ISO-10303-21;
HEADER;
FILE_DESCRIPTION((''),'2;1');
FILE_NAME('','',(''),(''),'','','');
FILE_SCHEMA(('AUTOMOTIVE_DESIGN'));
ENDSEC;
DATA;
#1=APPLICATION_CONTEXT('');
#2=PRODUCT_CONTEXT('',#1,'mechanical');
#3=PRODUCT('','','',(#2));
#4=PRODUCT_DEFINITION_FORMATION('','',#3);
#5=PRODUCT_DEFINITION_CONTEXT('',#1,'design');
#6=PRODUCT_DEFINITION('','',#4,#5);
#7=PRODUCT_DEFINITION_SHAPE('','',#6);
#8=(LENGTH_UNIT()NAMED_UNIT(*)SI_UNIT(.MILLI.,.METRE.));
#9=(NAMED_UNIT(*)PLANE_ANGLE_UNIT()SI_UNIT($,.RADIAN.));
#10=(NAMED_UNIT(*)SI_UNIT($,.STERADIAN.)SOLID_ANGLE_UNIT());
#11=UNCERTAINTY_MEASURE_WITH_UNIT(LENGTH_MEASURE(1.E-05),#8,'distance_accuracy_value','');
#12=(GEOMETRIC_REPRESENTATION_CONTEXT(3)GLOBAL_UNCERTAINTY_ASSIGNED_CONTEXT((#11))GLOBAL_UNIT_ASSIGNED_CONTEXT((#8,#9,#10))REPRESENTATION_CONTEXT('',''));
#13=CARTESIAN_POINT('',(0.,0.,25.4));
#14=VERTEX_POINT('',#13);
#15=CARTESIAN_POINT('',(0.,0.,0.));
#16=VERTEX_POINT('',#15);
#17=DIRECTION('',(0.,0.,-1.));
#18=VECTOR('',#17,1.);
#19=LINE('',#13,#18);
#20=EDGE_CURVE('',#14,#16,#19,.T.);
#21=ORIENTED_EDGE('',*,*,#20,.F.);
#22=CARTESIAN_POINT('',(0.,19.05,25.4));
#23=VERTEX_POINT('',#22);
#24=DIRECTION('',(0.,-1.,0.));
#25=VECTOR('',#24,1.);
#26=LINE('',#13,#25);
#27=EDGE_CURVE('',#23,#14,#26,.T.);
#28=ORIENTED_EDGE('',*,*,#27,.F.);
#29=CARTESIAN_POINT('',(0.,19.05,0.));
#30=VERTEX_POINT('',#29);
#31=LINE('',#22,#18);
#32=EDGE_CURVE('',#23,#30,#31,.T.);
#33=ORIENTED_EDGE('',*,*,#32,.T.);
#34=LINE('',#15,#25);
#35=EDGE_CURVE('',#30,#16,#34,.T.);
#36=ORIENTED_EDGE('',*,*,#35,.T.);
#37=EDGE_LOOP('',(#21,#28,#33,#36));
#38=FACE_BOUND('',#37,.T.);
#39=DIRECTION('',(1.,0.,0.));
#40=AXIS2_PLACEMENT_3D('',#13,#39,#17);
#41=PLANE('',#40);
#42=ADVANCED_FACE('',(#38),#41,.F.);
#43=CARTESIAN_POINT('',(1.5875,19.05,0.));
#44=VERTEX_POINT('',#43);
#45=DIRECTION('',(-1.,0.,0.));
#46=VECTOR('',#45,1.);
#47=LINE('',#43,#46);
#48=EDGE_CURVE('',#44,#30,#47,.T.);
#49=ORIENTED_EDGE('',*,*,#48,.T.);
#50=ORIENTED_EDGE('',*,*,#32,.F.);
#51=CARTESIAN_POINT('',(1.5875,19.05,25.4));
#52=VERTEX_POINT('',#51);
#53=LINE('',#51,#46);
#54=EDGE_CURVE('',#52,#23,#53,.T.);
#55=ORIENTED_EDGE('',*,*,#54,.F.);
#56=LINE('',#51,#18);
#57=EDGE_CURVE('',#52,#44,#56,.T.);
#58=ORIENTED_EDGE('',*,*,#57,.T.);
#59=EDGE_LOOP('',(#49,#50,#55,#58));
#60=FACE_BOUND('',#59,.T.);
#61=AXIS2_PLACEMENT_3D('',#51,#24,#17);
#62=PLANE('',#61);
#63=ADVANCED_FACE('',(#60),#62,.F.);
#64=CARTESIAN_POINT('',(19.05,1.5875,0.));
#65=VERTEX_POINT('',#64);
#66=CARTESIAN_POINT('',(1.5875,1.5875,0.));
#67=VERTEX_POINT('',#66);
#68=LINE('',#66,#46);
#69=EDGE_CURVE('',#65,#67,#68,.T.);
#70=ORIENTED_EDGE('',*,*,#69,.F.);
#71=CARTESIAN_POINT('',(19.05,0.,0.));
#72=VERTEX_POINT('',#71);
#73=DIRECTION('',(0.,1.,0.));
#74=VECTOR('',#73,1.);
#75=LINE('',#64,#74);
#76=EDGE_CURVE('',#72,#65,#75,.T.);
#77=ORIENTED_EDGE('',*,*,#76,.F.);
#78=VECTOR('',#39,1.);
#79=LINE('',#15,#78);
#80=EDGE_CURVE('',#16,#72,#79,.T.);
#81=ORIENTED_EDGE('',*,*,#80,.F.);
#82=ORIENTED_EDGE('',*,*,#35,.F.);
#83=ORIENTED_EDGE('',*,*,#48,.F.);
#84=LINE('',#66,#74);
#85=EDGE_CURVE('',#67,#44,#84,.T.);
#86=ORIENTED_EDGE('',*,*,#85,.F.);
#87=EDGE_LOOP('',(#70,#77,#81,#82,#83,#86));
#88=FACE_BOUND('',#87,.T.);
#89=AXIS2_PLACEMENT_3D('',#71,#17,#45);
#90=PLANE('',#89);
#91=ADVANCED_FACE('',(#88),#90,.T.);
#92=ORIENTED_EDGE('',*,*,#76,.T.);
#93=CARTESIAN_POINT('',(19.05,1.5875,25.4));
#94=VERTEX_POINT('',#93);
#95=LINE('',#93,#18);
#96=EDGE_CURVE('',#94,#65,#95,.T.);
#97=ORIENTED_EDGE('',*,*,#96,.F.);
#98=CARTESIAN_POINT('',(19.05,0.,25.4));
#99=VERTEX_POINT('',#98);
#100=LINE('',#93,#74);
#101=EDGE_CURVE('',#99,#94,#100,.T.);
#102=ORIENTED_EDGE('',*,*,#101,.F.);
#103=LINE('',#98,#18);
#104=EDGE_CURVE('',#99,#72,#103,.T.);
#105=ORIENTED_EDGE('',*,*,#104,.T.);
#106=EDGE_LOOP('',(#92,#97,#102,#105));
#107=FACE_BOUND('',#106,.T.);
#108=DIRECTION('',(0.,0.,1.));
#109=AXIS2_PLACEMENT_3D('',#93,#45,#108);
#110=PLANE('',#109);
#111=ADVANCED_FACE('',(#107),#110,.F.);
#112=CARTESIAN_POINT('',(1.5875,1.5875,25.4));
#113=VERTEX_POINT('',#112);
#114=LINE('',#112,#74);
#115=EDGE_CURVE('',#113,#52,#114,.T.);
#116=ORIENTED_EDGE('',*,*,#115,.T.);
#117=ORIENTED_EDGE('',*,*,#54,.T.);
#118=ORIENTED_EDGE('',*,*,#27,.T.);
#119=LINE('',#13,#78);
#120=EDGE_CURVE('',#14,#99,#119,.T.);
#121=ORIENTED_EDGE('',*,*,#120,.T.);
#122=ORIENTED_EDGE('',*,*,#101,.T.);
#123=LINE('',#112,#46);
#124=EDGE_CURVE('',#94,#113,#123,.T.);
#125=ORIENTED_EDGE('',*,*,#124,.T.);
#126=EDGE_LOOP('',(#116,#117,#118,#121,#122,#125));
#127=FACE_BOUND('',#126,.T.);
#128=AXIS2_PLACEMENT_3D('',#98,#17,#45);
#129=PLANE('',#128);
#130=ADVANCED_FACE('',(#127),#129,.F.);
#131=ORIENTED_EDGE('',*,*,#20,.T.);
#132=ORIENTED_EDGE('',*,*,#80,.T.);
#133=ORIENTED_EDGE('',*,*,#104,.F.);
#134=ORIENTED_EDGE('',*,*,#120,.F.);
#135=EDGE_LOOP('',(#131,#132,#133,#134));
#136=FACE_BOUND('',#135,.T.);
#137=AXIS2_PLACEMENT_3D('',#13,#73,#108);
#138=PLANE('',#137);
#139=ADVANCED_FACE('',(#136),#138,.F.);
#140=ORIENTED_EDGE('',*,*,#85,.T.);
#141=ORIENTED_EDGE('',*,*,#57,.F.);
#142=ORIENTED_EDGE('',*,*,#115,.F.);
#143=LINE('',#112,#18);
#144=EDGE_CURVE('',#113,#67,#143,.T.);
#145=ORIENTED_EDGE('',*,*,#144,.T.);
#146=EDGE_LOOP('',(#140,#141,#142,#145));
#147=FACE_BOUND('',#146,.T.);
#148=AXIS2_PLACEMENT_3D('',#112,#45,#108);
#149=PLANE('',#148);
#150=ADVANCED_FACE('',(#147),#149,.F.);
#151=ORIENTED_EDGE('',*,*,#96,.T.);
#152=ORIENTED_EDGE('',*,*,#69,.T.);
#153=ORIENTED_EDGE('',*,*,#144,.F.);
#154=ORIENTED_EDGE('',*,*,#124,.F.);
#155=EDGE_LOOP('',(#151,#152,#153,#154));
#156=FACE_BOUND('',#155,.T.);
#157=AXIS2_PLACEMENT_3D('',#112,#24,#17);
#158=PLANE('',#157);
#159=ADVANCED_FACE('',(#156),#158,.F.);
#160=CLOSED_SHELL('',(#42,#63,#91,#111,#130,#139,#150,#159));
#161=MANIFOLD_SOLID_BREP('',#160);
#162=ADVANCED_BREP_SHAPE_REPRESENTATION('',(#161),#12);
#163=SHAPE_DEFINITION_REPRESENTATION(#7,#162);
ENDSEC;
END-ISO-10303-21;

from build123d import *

# Parameters (mm, degrees)
BOSS_EXTRUDE1_DEPTH = 25.4


with BuildPart() as part:
    # Sketch1 → Boss-Extrude1 (new body)
    with BuildSketch(Plane.XY):
        Polygon((0, 0), (0, 19.05), (1.5875, 19.05), (1.5875, 1.5875), (19.05, 1.5875), (19.05, 0), align=None)
    extrude(amount=BOSS_EXTRUDE1_DEPTH)


solid = part.part
